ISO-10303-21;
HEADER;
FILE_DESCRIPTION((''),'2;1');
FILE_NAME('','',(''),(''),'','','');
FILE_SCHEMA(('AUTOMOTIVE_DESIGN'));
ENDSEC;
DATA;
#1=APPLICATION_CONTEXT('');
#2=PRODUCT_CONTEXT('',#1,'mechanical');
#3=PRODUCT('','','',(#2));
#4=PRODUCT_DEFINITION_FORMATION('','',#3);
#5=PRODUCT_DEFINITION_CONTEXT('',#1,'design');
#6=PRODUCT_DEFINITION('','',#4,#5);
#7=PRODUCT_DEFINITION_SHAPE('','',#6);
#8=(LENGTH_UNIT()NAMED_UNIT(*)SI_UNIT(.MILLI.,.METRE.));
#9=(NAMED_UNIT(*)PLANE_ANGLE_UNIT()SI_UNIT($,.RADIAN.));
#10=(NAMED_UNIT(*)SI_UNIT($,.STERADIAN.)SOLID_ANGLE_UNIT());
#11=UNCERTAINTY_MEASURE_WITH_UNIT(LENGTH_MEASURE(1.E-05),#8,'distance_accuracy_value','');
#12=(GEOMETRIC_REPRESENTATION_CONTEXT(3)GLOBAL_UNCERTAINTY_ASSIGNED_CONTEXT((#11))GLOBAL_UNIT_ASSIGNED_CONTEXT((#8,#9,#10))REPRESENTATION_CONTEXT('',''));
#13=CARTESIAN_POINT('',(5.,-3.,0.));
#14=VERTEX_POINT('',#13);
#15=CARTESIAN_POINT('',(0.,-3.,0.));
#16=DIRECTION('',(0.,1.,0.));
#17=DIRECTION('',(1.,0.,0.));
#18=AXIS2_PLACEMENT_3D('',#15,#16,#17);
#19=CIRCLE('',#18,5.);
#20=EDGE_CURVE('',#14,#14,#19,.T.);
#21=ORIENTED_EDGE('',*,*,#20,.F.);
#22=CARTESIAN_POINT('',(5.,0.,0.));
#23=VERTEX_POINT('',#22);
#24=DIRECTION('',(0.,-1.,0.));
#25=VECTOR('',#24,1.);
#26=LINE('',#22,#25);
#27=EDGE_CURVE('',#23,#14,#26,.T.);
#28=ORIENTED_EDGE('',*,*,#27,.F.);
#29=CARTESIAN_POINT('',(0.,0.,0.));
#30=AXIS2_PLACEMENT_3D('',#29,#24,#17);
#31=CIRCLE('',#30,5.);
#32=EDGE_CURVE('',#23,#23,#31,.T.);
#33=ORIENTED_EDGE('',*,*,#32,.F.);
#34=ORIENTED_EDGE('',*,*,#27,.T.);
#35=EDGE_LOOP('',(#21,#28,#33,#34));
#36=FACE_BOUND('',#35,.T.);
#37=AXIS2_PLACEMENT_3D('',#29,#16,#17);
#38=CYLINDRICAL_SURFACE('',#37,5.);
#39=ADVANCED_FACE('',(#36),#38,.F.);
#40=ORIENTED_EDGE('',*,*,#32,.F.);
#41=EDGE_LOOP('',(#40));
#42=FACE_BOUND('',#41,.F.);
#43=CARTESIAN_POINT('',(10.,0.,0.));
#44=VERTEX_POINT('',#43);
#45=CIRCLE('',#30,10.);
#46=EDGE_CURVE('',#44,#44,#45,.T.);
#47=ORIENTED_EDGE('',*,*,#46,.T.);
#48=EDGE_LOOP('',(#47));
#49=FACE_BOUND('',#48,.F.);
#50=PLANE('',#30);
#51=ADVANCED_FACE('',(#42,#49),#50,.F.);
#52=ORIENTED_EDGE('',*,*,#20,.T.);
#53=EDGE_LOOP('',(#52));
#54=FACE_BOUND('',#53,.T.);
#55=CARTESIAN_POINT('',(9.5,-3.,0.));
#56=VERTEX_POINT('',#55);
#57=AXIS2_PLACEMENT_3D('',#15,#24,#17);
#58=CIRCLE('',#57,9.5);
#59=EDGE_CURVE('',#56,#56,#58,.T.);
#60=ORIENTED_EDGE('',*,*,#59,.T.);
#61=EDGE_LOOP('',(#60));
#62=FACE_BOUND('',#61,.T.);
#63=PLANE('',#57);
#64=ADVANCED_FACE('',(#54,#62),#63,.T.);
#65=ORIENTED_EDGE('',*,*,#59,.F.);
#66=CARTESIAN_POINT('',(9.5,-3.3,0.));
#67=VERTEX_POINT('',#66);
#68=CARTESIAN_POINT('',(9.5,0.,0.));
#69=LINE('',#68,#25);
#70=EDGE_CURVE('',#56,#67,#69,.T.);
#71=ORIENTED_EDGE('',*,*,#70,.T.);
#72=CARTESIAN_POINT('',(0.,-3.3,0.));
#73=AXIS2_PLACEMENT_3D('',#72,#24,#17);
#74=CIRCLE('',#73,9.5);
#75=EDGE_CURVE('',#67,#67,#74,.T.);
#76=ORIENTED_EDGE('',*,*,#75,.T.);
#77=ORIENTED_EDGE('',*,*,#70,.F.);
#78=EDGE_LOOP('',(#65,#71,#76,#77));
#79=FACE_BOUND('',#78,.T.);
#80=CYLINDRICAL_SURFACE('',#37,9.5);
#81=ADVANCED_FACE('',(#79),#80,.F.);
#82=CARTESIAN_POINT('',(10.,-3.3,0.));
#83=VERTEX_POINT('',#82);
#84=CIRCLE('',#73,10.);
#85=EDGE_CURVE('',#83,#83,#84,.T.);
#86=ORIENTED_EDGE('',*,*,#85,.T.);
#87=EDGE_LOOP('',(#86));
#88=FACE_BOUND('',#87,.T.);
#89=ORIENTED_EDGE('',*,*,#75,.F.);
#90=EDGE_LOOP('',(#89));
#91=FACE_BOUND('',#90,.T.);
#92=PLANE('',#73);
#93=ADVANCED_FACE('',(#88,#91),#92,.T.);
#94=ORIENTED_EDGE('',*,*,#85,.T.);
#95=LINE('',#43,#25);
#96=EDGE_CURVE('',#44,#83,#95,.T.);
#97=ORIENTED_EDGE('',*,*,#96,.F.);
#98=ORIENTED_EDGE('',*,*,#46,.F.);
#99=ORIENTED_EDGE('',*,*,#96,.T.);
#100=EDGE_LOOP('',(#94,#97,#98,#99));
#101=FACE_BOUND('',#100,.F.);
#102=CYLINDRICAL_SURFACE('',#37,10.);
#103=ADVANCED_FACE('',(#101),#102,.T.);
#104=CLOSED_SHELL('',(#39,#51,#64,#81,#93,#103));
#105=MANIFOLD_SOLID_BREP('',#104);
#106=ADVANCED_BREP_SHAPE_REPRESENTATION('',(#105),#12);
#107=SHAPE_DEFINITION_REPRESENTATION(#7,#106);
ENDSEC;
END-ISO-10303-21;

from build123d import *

# Parameters (mm, degrees)
F0_R     = 10
F0_R_2   = 9.5
F1_DEPTH = 3.3
F0_R_3   = 5
F2_DEPTH = 3
F3_DEPTH = 25


with BuildPart() as f1:
    # F0 (on Front) → F1 (new body)
    with BuildSketch(Plane.XZ):
        Circle(F0_R)
        Circle(F0_R_2, mode=Mode.SUBTRACT)
    extrude(amount=F1_DEPTH)

    # F0 (on Front) → F2 (join)
    with BuildSketch(Plane.XZ):
        Circle(F0_R_2)
        Circle(F0_R_3, mode=Mode.SUBTRACT)
        Circle(F0_R_3)
    extrude(amount=F2_DEPTH)

    # F0 (on Front) → F3 (cut)
    with BuildSketch(Plane.XZ):
        Circle(F0_R_3)
    extrude(amount=F3_DEPTH, mode=Mode.SUBTRACT)


solid = f1.part
